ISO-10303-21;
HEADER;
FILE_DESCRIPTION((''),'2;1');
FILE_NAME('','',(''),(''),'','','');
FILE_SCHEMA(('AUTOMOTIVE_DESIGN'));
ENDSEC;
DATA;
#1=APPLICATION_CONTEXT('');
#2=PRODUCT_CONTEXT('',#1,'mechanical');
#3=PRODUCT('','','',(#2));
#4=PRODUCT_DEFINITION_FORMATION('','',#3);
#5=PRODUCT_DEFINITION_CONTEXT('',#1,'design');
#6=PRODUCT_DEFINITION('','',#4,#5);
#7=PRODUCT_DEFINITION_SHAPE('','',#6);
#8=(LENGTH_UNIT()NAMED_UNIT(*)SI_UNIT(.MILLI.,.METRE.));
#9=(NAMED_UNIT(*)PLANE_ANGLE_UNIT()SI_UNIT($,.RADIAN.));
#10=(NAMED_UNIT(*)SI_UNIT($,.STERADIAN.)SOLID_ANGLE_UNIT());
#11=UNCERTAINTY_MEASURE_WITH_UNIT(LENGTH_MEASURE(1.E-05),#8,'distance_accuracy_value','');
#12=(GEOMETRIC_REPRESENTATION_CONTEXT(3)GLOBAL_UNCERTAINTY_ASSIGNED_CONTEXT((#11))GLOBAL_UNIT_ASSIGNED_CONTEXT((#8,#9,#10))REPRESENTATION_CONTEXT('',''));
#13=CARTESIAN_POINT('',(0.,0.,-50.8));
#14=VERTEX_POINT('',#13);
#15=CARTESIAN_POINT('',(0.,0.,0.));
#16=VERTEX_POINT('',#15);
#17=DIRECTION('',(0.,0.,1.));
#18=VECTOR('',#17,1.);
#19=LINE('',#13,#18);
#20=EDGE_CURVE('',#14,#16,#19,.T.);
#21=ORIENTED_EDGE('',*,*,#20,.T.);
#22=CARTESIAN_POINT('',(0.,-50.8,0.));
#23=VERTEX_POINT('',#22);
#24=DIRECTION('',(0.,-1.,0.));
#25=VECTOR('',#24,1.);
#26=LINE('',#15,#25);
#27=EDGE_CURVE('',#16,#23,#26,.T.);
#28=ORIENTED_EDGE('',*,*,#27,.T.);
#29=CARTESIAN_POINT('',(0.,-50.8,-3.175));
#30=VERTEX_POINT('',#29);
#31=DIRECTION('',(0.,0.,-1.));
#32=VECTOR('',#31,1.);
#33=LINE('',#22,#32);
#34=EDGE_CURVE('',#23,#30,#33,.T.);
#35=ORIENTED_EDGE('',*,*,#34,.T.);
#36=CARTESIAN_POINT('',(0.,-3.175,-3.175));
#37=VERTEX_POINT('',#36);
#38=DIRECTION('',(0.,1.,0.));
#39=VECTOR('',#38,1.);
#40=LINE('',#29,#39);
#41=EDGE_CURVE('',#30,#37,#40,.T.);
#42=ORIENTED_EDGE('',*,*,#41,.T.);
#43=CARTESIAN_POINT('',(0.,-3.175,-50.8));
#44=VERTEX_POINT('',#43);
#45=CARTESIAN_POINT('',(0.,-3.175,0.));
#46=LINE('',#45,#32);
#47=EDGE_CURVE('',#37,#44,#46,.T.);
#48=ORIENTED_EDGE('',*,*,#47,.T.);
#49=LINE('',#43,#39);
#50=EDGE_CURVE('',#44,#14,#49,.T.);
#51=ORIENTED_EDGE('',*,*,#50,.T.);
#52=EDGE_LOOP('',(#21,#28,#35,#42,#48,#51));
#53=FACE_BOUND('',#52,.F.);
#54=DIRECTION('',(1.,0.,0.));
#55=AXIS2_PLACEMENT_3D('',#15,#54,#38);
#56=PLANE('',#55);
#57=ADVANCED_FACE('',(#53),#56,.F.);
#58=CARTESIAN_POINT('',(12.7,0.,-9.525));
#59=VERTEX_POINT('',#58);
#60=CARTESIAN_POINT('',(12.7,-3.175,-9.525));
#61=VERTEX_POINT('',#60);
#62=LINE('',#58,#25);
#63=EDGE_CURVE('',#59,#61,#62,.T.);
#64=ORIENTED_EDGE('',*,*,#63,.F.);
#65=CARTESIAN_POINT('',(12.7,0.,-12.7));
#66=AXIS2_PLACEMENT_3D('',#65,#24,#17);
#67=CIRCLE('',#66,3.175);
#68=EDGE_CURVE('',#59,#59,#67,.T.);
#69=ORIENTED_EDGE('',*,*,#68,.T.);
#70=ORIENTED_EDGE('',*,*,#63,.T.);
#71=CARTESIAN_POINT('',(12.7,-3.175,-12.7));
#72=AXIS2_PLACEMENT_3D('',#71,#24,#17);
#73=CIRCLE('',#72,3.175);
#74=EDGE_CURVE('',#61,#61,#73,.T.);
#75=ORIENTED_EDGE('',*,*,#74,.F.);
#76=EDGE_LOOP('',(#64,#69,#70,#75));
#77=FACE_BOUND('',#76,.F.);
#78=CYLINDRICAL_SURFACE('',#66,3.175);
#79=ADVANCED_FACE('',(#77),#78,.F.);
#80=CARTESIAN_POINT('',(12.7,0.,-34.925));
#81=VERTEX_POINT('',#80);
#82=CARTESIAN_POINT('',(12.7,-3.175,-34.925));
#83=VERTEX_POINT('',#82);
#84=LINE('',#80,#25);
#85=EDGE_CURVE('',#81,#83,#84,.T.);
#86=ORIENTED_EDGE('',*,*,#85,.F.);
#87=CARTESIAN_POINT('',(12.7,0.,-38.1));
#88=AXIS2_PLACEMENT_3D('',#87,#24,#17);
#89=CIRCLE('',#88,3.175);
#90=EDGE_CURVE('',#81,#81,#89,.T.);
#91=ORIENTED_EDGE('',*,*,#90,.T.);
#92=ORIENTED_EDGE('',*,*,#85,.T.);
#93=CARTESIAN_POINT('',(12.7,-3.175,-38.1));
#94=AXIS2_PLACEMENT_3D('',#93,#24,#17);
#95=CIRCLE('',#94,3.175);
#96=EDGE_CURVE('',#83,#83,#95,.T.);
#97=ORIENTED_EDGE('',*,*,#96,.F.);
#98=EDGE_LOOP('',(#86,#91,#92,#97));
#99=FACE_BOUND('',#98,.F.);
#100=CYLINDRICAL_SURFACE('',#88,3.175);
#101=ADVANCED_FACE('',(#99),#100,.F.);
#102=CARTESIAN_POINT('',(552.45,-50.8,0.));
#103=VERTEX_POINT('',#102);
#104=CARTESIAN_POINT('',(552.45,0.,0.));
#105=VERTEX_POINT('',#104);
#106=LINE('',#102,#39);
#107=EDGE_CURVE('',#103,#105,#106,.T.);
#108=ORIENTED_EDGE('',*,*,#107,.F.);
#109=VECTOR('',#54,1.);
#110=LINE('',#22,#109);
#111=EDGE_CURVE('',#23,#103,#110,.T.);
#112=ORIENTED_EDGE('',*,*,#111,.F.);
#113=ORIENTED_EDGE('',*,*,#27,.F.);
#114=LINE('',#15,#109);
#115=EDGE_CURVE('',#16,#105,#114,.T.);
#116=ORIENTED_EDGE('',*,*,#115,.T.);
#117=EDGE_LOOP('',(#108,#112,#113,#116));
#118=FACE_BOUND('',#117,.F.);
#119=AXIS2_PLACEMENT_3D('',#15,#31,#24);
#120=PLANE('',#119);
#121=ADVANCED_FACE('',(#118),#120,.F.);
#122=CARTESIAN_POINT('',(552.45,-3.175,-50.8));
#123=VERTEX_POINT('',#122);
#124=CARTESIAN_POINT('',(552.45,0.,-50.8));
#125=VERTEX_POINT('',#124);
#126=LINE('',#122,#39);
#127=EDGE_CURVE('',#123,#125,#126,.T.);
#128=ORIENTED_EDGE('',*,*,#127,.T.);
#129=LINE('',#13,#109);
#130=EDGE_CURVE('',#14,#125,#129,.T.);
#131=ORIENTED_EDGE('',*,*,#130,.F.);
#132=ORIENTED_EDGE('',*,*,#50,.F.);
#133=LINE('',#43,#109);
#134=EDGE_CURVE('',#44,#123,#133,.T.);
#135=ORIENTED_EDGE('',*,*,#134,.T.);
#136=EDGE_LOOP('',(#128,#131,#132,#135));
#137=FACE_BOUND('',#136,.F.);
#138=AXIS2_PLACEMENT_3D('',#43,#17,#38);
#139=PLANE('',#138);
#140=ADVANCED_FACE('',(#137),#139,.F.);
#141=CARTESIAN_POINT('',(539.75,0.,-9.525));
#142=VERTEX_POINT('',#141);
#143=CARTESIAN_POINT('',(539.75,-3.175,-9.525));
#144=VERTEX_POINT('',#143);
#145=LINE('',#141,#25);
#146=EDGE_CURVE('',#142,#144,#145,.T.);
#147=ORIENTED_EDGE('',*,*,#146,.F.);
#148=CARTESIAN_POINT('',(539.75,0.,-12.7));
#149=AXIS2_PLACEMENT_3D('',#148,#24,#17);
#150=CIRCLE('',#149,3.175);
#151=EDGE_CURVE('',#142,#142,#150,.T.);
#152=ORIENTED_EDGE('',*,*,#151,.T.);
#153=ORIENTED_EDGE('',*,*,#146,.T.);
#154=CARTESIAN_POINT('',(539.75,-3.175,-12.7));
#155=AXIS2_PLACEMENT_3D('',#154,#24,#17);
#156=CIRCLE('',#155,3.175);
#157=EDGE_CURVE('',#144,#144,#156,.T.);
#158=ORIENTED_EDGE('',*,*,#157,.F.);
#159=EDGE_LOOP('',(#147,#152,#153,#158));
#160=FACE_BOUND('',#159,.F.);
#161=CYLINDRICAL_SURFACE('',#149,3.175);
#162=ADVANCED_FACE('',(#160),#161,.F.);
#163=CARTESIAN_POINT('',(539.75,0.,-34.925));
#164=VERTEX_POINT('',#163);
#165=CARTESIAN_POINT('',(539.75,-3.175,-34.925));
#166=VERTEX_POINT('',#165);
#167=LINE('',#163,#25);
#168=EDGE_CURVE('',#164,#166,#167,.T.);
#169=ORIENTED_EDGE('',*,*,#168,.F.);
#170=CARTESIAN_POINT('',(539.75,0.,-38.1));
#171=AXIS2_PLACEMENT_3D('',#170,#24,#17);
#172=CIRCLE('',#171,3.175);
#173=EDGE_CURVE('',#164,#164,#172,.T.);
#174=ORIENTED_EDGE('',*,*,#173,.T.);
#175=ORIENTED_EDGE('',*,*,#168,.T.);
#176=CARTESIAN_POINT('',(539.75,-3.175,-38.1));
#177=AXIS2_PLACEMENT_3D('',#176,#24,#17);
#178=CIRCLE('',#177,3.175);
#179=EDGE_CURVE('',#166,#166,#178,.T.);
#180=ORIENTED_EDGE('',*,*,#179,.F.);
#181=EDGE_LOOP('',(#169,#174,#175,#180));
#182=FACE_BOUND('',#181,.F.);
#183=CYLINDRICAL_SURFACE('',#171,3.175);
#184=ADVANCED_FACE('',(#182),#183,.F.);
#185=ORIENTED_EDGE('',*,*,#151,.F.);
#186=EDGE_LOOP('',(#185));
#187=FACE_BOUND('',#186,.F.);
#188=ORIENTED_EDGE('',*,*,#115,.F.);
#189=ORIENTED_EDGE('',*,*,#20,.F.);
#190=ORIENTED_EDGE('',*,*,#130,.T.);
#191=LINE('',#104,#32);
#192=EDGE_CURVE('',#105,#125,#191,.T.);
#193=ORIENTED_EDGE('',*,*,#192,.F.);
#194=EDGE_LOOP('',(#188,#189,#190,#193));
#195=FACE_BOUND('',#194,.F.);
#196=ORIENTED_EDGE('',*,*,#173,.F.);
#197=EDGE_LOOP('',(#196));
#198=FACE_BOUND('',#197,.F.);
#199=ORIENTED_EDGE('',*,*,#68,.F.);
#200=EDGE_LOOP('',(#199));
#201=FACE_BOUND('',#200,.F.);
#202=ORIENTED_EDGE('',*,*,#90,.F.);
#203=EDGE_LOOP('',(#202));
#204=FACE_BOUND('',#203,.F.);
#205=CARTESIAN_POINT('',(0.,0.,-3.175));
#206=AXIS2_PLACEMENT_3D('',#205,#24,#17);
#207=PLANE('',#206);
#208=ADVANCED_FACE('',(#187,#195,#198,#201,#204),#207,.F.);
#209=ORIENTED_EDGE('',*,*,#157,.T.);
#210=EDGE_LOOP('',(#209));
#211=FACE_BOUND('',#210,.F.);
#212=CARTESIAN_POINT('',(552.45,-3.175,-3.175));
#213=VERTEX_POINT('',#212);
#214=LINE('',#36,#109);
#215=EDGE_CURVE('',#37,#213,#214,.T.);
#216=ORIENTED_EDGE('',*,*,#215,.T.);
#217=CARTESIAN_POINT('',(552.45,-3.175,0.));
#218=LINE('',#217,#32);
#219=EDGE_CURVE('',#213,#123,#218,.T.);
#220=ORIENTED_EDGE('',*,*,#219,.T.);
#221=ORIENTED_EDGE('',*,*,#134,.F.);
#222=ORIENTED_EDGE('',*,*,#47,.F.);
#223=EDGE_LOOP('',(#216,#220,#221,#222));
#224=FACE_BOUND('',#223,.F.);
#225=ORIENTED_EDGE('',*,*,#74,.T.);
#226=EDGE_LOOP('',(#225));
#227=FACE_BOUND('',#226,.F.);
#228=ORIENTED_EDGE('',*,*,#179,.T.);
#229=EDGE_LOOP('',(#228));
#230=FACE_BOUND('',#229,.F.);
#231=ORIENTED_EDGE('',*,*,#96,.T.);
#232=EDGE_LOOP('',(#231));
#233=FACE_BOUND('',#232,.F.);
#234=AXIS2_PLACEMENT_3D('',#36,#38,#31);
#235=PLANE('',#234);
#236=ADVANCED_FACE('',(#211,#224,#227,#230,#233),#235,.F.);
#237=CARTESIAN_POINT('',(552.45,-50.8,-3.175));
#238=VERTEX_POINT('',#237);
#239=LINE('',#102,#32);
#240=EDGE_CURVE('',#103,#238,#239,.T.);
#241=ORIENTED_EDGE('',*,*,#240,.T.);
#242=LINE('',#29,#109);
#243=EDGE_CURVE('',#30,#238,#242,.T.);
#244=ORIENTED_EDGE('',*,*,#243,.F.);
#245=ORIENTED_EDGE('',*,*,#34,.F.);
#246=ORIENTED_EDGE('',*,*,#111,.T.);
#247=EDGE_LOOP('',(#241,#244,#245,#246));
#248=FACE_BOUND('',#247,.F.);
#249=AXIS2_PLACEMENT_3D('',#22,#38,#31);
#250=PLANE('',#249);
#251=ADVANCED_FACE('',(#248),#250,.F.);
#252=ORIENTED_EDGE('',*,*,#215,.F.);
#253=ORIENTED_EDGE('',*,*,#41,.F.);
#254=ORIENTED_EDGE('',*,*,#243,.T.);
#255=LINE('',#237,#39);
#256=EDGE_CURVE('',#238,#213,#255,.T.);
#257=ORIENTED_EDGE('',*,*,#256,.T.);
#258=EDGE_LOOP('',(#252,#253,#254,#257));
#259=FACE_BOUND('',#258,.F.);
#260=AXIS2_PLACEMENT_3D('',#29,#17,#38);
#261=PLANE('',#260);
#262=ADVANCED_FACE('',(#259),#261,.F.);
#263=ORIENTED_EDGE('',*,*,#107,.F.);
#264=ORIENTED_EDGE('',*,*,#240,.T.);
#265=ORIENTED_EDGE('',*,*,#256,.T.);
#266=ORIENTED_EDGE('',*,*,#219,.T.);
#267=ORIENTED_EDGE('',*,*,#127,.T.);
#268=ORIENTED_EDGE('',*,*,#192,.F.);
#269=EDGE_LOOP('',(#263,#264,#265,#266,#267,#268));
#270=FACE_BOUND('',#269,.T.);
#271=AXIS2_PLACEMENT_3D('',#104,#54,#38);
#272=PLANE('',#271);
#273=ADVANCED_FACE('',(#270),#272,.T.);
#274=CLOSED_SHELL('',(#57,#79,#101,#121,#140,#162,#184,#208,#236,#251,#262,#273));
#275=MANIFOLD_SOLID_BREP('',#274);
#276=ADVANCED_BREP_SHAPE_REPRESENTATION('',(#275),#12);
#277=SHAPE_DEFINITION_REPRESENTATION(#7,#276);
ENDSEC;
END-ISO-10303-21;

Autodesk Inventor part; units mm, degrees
ref_plane "YZ Plane" through (0, 0, 0) normal (1, 0, 0) x (0, 1, 0)
ref_plane "XZ Plane" through (0, 0, 0) normal (0, 1, 0) x (-1, 0, 0)
ref_plane "XY Plane" through (0, 0, 0) normal (0, 0, 1) x (1, 0, 0)
sketch "Sketch1" plane through (0, 0, 0) normal (1, 0, 0) x (0, 1, 0)
  line L0 (0, 0) -> (-50.8, 0)
  line L1 (-50.8, 0) -> (-50.8, -3.175)
  line L2 (-50.8, -3.175) -> (0, -3.175)
  line L3 (0, -3.175) -> (0, 0)
  line L4 (0, 0) -> (-3.175, 0)
  line L5 (-3.175, 0) -> (-3.175, -50.8)
  line L6 (-3.175, -50.8) -> (0, -50.8)
  line L7 (0, -50.8) -> (0, 0)
  dimension "d0" = 50.8
  dimension "d1" = 3.175
  dimension "d2" = 3.175
  dimension "d3" = 50.8
extrude "Extrusion1" add sketch "Sketch1" along normal blind 552.45
sketch "Sketch2" plane through (0, 0, 0) normal (0, 1, 0) x (1, 0, 0)
  line L0 (0, 50.8) -> (0, 0) projected
  line L1 (0, 0) -> (552.45, 0) projected
  line L2 (552.45, 50.8) -> (552.45, 0) projected
  line L3 (0, 50.8) -> (552.45, 50.8) projected
  point P0 (12.7, 12.7)
  point P1 (12.7, 38.1)
  point P2 (539.75, 12.7)
  point P3 (539.75, 38.1)
  dimension "d6" = 12.7
  dimension "d7" = 12.7
  dimension "d8" = 12.7
  dimension "d9" = 12.7
  dimension "d10" = 12.7
  dimension "d11" = 12.7
  dimension "d12" = 12.7
  dimension "d13" = 12.7
hole "Hole1" at (12.7, 0, -12.7) at (12.7, 0, -38.1) at (539.75, 0, -12.7) at (539.75, 0, -38.1) direction (0, -1, 0) diameter 6.35 end through all
properties part number "2x2 angle support"
